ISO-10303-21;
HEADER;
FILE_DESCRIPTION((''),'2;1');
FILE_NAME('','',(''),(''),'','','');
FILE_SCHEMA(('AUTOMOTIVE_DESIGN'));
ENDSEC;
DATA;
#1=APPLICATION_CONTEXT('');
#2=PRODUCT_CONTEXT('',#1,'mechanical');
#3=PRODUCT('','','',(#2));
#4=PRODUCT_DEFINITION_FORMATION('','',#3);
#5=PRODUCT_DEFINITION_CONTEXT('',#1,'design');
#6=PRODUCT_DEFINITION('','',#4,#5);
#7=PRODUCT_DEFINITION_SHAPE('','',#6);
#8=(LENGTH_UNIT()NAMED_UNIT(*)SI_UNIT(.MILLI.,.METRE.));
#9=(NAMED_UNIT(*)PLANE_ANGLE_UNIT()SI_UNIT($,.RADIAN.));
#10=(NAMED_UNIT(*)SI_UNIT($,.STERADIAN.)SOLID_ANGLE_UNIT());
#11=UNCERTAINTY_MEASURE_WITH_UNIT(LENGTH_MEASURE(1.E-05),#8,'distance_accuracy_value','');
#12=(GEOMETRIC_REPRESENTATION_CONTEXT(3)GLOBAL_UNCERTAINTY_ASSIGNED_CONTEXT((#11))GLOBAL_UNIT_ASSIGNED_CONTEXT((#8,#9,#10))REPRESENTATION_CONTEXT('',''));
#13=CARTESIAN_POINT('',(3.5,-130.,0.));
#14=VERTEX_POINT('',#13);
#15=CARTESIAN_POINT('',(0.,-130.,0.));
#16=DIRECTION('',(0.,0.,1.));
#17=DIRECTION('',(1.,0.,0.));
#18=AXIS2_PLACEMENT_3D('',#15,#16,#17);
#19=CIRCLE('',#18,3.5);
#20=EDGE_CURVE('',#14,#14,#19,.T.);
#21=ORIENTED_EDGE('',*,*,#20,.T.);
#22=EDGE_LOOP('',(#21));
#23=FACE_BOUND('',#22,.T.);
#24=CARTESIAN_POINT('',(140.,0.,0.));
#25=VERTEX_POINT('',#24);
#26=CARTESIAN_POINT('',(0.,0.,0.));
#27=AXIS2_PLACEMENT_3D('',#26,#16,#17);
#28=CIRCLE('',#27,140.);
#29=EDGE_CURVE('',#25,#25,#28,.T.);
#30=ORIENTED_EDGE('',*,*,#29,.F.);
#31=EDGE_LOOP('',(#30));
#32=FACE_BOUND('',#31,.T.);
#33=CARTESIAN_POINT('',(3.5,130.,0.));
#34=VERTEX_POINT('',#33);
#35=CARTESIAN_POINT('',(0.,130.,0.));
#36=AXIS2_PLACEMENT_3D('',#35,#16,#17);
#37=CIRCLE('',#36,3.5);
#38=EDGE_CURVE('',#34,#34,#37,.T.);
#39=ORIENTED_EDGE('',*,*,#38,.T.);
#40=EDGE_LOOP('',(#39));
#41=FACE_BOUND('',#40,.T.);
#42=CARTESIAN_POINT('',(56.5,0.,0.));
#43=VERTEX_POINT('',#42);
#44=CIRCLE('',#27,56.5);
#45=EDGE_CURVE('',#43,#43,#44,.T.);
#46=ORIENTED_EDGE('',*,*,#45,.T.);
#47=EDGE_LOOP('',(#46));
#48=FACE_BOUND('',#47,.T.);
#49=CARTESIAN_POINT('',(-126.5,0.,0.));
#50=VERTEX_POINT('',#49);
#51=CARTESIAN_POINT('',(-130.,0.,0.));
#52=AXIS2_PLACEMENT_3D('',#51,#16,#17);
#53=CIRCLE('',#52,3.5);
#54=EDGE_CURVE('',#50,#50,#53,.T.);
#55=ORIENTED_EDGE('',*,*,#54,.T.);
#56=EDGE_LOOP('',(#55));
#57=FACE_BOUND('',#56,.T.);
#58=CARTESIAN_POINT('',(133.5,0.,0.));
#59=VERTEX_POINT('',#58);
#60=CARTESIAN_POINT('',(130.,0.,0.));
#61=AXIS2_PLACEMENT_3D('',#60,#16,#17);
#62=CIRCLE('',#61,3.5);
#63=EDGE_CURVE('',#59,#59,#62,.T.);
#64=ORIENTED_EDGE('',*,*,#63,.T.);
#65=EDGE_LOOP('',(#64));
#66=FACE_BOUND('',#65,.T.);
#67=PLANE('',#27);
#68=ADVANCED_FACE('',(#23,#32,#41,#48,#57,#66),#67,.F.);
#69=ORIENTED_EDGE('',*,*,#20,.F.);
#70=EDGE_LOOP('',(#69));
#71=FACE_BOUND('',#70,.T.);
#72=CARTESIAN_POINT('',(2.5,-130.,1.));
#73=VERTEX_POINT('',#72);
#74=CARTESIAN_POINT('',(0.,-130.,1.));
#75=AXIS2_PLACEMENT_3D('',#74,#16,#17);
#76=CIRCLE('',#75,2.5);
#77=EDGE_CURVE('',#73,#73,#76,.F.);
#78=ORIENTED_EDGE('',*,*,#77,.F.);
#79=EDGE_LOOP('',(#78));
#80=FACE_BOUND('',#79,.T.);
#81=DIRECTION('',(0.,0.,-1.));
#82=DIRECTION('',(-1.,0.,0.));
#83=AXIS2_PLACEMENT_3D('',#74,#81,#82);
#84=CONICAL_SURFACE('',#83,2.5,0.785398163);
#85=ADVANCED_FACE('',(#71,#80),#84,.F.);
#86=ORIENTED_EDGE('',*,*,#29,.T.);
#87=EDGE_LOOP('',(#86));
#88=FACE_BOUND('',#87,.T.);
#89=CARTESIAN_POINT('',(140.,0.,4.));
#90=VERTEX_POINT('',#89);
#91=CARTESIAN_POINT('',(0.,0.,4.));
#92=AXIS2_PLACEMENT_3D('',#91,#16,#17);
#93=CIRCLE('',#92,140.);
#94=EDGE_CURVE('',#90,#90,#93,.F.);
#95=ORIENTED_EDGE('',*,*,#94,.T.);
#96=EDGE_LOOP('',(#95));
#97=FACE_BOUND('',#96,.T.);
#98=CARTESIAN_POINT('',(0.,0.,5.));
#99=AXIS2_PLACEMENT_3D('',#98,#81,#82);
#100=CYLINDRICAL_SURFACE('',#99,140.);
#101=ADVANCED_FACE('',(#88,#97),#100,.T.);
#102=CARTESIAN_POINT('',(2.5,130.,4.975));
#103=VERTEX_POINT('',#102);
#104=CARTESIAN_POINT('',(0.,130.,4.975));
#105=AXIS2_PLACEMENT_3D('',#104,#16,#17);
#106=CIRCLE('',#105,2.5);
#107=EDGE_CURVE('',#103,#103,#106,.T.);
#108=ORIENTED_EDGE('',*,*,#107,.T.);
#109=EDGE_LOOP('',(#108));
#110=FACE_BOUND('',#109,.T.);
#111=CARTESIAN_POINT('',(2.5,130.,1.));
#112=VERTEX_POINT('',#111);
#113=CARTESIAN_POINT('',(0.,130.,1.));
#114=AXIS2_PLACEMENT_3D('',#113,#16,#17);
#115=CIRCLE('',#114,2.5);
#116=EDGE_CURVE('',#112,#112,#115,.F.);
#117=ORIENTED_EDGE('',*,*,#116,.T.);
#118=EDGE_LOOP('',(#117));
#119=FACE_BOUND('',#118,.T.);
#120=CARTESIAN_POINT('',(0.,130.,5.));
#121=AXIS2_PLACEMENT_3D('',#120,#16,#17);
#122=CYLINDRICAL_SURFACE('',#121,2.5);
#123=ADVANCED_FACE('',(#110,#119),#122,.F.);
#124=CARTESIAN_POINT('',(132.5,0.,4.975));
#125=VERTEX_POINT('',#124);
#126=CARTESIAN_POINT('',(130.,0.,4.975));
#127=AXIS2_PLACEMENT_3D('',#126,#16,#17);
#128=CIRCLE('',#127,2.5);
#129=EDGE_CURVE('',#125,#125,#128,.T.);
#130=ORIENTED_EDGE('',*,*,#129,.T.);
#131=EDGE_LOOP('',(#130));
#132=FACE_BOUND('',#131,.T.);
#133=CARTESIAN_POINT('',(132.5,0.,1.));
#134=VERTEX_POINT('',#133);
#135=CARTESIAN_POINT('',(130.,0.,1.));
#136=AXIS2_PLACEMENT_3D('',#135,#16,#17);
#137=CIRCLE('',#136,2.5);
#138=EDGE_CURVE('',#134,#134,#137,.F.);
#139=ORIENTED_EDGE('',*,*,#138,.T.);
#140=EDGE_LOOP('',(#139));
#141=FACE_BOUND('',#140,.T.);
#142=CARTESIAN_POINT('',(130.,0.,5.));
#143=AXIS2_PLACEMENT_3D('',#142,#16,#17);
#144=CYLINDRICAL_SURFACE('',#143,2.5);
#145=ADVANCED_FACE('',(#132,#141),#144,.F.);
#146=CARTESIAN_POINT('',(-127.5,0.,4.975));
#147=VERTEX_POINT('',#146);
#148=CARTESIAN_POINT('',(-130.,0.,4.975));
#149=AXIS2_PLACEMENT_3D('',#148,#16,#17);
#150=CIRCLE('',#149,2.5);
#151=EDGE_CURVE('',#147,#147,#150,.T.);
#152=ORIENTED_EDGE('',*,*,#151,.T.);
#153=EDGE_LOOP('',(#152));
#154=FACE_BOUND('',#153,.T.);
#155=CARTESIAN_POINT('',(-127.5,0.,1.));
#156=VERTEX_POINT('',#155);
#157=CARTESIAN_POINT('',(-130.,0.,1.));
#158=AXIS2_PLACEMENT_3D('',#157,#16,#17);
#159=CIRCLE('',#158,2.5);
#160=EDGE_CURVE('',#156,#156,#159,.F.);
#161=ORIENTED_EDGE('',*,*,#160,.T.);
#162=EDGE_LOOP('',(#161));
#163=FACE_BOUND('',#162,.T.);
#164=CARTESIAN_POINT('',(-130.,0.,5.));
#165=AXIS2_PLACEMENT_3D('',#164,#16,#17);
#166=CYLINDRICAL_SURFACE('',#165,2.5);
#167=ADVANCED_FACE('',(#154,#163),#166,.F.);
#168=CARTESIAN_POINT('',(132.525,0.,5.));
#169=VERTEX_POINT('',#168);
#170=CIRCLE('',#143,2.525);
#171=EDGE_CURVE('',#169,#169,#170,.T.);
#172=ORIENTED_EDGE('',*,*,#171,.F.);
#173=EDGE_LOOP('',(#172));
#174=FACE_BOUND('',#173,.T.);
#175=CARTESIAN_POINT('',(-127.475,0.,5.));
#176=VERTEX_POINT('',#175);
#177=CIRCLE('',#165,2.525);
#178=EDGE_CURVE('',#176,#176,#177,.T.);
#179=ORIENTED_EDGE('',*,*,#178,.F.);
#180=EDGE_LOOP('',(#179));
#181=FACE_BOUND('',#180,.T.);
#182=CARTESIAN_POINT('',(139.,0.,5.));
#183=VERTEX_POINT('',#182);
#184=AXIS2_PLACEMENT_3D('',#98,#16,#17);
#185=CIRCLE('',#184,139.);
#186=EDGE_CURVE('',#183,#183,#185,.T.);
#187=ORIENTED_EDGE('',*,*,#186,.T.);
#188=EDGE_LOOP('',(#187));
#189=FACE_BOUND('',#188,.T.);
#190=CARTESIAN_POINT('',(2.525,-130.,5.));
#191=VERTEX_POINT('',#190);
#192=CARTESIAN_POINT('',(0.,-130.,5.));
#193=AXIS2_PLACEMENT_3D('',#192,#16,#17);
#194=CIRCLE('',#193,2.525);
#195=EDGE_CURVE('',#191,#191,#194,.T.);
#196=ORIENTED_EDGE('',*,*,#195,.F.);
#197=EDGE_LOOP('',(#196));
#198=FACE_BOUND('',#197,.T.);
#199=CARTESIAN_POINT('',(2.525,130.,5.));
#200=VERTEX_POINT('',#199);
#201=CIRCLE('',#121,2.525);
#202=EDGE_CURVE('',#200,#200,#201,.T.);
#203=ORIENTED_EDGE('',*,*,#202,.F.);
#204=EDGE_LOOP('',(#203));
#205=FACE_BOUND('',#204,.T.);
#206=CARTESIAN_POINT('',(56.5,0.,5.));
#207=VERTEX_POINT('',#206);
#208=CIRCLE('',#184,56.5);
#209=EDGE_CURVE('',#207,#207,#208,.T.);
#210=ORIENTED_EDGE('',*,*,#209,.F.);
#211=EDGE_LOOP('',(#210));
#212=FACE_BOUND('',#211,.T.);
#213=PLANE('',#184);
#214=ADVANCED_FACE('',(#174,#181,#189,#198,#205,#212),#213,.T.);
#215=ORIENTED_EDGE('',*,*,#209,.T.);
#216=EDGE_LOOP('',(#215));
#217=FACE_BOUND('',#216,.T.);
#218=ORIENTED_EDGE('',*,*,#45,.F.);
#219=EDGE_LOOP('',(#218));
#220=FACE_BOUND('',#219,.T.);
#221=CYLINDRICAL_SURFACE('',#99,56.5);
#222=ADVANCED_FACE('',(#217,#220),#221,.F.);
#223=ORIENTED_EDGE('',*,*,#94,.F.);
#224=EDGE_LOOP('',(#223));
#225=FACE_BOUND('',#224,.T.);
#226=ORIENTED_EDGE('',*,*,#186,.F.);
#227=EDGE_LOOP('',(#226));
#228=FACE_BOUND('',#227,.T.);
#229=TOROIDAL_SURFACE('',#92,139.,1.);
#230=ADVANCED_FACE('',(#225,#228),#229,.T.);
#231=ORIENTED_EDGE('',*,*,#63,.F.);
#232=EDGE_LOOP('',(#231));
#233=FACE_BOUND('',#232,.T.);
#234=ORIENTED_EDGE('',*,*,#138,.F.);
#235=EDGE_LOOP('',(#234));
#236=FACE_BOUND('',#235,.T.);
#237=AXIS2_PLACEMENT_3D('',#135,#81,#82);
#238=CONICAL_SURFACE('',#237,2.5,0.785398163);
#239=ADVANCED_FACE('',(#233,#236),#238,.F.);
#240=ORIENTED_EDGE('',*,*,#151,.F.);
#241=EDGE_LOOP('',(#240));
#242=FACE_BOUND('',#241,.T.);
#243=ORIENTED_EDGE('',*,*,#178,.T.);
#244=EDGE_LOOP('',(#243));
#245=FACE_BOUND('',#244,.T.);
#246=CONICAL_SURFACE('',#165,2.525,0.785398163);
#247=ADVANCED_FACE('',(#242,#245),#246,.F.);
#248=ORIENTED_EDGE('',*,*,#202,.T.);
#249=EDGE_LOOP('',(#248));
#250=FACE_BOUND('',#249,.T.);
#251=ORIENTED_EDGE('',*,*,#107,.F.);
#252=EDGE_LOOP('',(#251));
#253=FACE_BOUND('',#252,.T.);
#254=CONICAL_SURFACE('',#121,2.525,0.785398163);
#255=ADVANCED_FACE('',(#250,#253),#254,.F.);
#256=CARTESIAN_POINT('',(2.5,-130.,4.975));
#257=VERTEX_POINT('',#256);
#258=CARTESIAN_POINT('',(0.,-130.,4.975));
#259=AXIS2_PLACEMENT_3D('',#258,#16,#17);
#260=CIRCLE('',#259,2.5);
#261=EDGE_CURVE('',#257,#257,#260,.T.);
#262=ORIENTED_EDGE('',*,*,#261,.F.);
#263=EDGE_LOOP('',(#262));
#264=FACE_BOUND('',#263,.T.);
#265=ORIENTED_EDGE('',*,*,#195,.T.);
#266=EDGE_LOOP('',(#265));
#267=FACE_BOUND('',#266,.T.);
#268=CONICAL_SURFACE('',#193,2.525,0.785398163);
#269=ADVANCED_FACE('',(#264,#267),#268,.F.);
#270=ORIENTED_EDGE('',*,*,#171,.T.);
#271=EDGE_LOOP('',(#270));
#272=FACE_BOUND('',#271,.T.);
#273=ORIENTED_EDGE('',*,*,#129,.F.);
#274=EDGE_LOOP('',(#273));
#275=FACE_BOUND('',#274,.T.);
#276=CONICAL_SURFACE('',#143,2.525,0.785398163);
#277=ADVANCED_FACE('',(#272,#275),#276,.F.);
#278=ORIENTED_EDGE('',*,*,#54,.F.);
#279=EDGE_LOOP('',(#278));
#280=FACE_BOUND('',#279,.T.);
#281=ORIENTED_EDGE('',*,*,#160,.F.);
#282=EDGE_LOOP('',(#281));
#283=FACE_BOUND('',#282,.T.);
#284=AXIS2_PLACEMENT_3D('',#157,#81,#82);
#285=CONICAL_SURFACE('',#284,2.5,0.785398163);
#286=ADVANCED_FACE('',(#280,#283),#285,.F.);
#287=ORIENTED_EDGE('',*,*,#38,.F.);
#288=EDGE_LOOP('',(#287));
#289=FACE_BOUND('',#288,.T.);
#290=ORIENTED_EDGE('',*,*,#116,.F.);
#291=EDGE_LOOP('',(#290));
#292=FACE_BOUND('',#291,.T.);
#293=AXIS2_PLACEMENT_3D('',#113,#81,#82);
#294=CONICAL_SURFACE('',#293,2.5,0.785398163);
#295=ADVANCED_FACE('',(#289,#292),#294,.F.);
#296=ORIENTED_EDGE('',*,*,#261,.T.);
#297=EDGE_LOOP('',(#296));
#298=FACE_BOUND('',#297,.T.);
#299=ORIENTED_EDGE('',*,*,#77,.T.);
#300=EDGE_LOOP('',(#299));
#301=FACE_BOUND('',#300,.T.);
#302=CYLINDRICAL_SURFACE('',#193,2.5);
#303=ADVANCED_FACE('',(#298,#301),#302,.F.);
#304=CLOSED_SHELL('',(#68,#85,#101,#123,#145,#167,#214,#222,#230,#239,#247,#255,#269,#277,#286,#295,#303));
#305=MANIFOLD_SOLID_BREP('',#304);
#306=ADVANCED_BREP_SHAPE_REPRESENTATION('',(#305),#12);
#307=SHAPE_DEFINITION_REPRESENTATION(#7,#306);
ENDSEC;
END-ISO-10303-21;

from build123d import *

# Parameters (mm, degrees)
SKETCH1_R                       = 140
SKETCH1_R_2                     = 56.5
BOSS_EXTRUDE1_DEPTH             = 5
F_5_0MM_DOWEL_HOLE1_D           = 5
F_5_0MM_DOWEL_HOLE1_CSINK_D     = 5.05
F_5_0MM_DOWEL_HOLE1_CSINK_ANGLE = 90
FILLET1_R                       = 1
CHAMFER1_SIZE                   = 1


with BuildPart() as part:
    # Sketch1 → Boss-Extrude1 (new body)
    with BuildSketch(Plane.XY):
        Circle(SKETCH1_R)
        Circle(SKETCH1_R_2, mode=Mode.SUBTRACT)
    extrude(amount=BOSS_EXTRUDE1_DEPTH)

    # Ø5.0mm Dowel Hole1 (through all)
    with Locations(Plane.XY.offset(5)):
        with Locations((0, 130), (0, -130), (130, 0), (-130, 0)):
            CounterSinkHole(F_5_0MM_DOWEL_HOLE1_D / 2, F_5_0MM_DOWEL_HOLE1_CSINK_D / 2, counter_sink_angle=F_5_0MM_DOWEL_HOLE1_CSINK_ANGLE)

    # Fillet1
    fillet1_edges = [part.edges().sort_by_distance(p)[0] for p in [
        (-140, 0, 5),
    ]]
    fillet(fillet1_edges, radius=FILLET1_R)

    # Chamfer1
    chamfer1_edges = [part.edges().sort_by_distance(p)[0] for p in [
        (-127.5, 0, 0),
        (132.5, 0, 0),
        (2.5, -130, 0),
        (2.5, 130, 0),
    ]]
    chamfer(chamfer1_edges, length=CHAMFER1_SIZE)


solid = part.part
